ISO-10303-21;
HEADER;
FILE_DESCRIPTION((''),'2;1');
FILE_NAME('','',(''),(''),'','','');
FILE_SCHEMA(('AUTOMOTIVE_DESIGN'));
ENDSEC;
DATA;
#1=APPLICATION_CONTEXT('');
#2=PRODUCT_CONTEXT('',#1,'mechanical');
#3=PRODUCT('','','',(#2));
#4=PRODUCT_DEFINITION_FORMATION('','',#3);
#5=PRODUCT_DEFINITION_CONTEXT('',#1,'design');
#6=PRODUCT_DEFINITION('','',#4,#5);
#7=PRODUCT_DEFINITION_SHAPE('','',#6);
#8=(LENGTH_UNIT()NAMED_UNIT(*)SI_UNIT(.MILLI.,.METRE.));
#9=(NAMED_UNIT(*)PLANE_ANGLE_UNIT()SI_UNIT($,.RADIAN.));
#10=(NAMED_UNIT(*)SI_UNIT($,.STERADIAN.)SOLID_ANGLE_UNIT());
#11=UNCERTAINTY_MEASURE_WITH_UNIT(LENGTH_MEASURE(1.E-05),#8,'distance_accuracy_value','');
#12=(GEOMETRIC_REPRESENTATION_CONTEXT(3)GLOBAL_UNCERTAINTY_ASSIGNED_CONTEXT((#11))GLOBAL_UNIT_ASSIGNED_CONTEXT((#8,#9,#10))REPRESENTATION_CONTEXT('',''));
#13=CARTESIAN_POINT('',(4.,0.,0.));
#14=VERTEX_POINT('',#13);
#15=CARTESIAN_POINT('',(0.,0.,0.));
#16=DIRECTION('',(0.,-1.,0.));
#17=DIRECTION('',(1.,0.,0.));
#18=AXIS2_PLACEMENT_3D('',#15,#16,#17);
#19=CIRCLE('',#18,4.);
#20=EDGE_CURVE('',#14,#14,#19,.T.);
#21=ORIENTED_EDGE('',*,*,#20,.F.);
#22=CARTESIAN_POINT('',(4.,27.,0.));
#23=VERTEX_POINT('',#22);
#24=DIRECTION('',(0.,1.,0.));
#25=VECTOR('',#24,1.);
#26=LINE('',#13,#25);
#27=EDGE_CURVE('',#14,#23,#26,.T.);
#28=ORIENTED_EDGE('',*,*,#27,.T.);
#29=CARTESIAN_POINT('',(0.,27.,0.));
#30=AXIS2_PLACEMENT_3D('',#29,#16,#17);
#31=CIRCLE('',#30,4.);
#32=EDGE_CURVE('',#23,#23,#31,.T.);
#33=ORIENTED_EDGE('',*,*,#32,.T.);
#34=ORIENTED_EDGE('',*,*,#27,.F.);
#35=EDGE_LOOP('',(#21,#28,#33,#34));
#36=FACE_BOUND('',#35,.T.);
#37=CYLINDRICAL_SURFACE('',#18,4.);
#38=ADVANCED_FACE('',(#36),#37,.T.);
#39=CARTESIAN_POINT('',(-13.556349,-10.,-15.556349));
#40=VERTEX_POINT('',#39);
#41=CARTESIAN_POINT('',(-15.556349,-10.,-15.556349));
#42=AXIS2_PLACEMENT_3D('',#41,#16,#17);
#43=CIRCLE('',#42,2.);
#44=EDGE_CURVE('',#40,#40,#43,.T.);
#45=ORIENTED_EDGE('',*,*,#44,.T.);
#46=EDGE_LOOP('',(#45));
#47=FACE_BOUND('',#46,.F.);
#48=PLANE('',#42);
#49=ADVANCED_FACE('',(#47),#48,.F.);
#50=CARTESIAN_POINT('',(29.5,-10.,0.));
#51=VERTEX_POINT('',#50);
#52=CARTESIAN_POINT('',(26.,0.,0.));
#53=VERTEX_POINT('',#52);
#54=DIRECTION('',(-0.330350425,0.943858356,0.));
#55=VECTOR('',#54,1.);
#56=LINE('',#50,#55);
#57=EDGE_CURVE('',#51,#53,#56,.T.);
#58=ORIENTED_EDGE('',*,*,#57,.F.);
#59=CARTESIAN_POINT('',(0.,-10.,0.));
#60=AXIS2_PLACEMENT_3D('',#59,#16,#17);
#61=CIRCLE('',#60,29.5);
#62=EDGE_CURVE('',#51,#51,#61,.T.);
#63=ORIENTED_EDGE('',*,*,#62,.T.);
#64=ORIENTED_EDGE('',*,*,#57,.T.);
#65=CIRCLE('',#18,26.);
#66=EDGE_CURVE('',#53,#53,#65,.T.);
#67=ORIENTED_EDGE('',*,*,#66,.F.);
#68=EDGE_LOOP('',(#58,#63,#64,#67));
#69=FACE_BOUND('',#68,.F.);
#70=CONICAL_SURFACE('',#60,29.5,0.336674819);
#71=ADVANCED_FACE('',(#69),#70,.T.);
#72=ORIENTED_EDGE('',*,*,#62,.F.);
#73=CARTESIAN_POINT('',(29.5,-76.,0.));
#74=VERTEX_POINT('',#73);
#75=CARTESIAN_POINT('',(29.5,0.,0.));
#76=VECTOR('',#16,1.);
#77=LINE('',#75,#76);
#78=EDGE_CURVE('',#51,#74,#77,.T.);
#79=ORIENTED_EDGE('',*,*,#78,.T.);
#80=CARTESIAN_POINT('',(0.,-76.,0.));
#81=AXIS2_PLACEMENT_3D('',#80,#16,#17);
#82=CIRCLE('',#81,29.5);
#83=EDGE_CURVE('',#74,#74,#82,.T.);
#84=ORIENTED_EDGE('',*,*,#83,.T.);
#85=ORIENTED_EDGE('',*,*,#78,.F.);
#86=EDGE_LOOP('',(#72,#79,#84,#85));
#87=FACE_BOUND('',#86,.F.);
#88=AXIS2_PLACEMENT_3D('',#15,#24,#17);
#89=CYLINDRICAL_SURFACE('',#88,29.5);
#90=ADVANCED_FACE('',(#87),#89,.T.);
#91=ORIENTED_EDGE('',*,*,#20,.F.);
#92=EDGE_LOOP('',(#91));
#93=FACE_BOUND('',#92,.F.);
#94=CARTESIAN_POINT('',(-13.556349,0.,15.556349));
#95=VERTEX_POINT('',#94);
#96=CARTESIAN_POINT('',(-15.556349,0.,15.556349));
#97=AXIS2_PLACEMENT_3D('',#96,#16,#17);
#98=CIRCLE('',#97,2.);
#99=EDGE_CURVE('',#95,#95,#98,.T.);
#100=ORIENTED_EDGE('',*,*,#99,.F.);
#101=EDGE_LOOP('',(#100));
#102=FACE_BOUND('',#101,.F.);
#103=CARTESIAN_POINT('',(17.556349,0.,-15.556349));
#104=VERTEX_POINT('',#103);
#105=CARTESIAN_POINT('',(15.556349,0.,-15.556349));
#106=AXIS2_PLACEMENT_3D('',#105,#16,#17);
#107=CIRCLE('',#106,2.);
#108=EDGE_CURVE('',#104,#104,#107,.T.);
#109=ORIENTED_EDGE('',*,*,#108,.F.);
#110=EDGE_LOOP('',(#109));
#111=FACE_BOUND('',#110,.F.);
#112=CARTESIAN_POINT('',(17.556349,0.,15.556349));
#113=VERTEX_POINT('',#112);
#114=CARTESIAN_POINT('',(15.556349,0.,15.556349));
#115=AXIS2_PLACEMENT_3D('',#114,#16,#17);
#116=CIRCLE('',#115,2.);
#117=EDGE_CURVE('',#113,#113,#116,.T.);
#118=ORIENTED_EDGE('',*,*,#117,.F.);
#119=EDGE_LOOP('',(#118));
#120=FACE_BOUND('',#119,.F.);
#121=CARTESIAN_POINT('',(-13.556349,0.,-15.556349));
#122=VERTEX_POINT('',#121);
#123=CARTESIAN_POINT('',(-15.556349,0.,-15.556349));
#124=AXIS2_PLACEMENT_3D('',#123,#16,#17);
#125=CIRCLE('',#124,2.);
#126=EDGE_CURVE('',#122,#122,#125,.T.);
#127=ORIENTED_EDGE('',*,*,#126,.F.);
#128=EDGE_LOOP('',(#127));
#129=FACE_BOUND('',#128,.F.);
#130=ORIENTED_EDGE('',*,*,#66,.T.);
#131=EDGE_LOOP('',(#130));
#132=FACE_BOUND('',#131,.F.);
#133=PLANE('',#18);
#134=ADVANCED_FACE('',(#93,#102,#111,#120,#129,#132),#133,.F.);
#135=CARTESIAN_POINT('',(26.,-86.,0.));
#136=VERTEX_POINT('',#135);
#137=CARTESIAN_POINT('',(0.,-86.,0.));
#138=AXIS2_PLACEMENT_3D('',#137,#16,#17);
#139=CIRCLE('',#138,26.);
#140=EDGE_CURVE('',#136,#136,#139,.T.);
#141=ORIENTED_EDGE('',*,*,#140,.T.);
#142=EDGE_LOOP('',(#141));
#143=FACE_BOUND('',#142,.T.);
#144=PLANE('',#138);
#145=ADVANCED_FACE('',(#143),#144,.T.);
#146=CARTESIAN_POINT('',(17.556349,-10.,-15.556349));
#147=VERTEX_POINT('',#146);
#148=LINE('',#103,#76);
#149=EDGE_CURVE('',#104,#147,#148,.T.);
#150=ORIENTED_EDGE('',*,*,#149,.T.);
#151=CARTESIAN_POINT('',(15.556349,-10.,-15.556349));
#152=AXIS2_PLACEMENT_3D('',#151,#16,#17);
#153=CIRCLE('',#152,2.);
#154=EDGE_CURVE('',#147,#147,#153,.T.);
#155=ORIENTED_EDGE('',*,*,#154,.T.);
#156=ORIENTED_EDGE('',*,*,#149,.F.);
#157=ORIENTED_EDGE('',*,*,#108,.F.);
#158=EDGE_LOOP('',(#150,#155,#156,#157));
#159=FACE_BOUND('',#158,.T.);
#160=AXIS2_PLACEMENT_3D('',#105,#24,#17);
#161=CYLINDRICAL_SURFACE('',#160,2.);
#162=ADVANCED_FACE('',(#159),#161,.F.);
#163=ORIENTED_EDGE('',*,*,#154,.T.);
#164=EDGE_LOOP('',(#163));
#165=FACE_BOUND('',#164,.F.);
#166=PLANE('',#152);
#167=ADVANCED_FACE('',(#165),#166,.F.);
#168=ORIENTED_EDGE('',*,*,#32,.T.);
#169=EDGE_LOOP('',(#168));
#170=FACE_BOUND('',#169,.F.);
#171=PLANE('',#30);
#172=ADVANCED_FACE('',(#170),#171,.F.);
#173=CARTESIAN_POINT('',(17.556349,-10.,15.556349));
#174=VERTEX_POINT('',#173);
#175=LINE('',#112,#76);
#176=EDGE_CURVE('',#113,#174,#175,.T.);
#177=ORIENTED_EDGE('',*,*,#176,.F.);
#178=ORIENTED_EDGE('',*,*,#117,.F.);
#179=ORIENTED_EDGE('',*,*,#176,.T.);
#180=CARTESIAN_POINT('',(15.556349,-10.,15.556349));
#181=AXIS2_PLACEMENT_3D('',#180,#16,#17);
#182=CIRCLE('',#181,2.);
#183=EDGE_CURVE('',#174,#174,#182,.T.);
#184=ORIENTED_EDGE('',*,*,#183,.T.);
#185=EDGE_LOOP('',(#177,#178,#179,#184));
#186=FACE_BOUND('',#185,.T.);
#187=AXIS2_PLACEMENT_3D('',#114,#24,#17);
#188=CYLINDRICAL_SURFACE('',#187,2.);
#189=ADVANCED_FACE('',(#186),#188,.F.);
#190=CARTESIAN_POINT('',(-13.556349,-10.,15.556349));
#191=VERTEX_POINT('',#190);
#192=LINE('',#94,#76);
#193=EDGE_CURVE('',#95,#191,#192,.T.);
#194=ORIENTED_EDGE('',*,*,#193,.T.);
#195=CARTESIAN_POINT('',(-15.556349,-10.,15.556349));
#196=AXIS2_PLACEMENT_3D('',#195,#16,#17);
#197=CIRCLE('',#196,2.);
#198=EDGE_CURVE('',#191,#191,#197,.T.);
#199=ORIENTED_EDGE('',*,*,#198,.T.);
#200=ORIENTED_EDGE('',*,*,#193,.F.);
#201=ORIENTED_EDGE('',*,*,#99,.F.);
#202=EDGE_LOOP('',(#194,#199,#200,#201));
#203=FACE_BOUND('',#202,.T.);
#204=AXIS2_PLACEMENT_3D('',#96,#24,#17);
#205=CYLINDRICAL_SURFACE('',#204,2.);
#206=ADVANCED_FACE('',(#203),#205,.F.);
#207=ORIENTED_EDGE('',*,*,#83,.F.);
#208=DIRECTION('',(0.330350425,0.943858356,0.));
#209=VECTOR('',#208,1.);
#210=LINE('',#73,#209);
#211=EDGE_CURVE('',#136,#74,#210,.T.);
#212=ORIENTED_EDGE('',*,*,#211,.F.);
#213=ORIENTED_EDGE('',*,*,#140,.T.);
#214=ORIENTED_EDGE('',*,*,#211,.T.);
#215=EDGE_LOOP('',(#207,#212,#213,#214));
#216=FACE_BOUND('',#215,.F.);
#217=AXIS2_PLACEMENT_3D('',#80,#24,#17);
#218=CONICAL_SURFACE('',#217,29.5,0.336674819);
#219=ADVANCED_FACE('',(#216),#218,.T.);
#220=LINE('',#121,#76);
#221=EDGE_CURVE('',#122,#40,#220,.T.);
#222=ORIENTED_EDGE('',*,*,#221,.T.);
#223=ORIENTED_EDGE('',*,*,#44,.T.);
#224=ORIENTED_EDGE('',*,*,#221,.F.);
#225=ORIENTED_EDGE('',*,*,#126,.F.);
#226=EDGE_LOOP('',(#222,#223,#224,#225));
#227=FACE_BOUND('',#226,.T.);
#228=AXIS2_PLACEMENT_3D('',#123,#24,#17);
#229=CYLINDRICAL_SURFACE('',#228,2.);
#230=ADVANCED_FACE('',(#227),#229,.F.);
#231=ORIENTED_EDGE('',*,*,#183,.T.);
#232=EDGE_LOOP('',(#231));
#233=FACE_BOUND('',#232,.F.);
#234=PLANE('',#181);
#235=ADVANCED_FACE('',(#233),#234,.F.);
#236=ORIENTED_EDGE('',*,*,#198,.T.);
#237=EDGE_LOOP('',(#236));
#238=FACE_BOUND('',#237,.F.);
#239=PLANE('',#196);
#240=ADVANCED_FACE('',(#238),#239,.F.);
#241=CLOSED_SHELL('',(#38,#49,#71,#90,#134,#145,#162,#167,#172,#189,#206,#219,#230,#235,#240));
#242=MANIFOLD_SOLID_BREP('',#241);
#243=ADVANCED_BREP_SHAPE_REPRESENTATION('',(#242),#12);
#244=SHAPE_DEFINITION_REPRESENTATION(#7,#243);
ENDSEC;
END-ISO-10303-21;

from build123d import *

# Parameters (mm, degrees)
F0_R     = 29.5
F0_R_2   = 2
F0_R_3   = 4
F1_DEPTH = 86
F2_DEPTH = 27
F3_DEPTH = 10
F4_SIZE2 = 3.5
F4_SIZE  = 10
F5_SIZE2 = 10
F5_SIZE  = 3.5


with BuildPart() as f1:
    # F0 (on Front) → F1 (new body)
    with BuildSketch(Plane.XZ):
        Circle(F0_R)
        with Locations((-15.5563491861, -15.5563491861)):
            Circle(F0_R_2, mode=Mode.SUBTRACT)
        with Locations((15.5563491861, -15.5563491861)):
            Circle(F0_R_2, mode=Mode.SUBTRACT)
        with Locations((-15.5563491861, 15.5563491861)):
            Circle(F0_R_2, mode=Mode.SUBTRACT)
        Circle(F0_R_3, mode=Mode.SUBTRACT)
        with Locations((15.5563491861, 15.5563491861)):
            Circle(F0_R_2, mode=Mode.SUBTRACT)
        Circle(F0_R_3)
        with Locations((15.5563491861, 15.5563491861)):
            Circle(F0_R_2)
        with Locations((-15.5563491861, 15.5563491861)):
            Circle(F0_R_2)
        with Locations((-15.5563491861, -15.5563491861)):
            Circle(F0_R_2)
        with Locations((15.5563491861, -15.5563491861)):
            Circle(F0_R_2)
    extrude(amount=F1_DEPTH)

    # F0 (on Front) → F2 (join)
    with BuildSketch(Plane.XZ):
        Circle(F0_R_3)
    extrude(amount=-F2_DEPTH)

    # F0 (on Front) → F3 (cut)
    with BuildSketch(Plane.XZ):
        with Locations((15.5563491861, 15.5563491861)):
            Circle(F0_R_2)
        with Locations((-15.5563491861, 15.5563491861)):
            Circle(F0_R_2)
        with Locations((15.5563491861, -15.5563491861)):
            Circle(F0_R_2)
        with Locations((-15.5563491861, -15.5563491861)):
            Circle(F0_R_2)
    extrude(amount=F3_DEPTH, mode=Mode.SUBTRACT)

    # F4
    f4_edges = [f1.edges().sort_by_distance(p)[0] for p in [
        (-29.5, 0, 0),
    ]]
    f4_side = f1.faces().sort_by_distance((-29.5, -43, 0))[0]
    chamfer(f4_edges, length=F4_SIZE, length2=F4_SIZE2, reference=f4_side)

    # F5
    f5_edges = [f1.edges().sort_by_distance(p)[0] for p in [
        (-29.5, -86, 0),
    ]]
    f5_side = f1.faces().sort_by_distance((0, -86, 0))[0]
    chamfer(f5_edges, length=F5_SIZE, length2=F5_SIZE2, reference=f5_side)


solid = f1.part
